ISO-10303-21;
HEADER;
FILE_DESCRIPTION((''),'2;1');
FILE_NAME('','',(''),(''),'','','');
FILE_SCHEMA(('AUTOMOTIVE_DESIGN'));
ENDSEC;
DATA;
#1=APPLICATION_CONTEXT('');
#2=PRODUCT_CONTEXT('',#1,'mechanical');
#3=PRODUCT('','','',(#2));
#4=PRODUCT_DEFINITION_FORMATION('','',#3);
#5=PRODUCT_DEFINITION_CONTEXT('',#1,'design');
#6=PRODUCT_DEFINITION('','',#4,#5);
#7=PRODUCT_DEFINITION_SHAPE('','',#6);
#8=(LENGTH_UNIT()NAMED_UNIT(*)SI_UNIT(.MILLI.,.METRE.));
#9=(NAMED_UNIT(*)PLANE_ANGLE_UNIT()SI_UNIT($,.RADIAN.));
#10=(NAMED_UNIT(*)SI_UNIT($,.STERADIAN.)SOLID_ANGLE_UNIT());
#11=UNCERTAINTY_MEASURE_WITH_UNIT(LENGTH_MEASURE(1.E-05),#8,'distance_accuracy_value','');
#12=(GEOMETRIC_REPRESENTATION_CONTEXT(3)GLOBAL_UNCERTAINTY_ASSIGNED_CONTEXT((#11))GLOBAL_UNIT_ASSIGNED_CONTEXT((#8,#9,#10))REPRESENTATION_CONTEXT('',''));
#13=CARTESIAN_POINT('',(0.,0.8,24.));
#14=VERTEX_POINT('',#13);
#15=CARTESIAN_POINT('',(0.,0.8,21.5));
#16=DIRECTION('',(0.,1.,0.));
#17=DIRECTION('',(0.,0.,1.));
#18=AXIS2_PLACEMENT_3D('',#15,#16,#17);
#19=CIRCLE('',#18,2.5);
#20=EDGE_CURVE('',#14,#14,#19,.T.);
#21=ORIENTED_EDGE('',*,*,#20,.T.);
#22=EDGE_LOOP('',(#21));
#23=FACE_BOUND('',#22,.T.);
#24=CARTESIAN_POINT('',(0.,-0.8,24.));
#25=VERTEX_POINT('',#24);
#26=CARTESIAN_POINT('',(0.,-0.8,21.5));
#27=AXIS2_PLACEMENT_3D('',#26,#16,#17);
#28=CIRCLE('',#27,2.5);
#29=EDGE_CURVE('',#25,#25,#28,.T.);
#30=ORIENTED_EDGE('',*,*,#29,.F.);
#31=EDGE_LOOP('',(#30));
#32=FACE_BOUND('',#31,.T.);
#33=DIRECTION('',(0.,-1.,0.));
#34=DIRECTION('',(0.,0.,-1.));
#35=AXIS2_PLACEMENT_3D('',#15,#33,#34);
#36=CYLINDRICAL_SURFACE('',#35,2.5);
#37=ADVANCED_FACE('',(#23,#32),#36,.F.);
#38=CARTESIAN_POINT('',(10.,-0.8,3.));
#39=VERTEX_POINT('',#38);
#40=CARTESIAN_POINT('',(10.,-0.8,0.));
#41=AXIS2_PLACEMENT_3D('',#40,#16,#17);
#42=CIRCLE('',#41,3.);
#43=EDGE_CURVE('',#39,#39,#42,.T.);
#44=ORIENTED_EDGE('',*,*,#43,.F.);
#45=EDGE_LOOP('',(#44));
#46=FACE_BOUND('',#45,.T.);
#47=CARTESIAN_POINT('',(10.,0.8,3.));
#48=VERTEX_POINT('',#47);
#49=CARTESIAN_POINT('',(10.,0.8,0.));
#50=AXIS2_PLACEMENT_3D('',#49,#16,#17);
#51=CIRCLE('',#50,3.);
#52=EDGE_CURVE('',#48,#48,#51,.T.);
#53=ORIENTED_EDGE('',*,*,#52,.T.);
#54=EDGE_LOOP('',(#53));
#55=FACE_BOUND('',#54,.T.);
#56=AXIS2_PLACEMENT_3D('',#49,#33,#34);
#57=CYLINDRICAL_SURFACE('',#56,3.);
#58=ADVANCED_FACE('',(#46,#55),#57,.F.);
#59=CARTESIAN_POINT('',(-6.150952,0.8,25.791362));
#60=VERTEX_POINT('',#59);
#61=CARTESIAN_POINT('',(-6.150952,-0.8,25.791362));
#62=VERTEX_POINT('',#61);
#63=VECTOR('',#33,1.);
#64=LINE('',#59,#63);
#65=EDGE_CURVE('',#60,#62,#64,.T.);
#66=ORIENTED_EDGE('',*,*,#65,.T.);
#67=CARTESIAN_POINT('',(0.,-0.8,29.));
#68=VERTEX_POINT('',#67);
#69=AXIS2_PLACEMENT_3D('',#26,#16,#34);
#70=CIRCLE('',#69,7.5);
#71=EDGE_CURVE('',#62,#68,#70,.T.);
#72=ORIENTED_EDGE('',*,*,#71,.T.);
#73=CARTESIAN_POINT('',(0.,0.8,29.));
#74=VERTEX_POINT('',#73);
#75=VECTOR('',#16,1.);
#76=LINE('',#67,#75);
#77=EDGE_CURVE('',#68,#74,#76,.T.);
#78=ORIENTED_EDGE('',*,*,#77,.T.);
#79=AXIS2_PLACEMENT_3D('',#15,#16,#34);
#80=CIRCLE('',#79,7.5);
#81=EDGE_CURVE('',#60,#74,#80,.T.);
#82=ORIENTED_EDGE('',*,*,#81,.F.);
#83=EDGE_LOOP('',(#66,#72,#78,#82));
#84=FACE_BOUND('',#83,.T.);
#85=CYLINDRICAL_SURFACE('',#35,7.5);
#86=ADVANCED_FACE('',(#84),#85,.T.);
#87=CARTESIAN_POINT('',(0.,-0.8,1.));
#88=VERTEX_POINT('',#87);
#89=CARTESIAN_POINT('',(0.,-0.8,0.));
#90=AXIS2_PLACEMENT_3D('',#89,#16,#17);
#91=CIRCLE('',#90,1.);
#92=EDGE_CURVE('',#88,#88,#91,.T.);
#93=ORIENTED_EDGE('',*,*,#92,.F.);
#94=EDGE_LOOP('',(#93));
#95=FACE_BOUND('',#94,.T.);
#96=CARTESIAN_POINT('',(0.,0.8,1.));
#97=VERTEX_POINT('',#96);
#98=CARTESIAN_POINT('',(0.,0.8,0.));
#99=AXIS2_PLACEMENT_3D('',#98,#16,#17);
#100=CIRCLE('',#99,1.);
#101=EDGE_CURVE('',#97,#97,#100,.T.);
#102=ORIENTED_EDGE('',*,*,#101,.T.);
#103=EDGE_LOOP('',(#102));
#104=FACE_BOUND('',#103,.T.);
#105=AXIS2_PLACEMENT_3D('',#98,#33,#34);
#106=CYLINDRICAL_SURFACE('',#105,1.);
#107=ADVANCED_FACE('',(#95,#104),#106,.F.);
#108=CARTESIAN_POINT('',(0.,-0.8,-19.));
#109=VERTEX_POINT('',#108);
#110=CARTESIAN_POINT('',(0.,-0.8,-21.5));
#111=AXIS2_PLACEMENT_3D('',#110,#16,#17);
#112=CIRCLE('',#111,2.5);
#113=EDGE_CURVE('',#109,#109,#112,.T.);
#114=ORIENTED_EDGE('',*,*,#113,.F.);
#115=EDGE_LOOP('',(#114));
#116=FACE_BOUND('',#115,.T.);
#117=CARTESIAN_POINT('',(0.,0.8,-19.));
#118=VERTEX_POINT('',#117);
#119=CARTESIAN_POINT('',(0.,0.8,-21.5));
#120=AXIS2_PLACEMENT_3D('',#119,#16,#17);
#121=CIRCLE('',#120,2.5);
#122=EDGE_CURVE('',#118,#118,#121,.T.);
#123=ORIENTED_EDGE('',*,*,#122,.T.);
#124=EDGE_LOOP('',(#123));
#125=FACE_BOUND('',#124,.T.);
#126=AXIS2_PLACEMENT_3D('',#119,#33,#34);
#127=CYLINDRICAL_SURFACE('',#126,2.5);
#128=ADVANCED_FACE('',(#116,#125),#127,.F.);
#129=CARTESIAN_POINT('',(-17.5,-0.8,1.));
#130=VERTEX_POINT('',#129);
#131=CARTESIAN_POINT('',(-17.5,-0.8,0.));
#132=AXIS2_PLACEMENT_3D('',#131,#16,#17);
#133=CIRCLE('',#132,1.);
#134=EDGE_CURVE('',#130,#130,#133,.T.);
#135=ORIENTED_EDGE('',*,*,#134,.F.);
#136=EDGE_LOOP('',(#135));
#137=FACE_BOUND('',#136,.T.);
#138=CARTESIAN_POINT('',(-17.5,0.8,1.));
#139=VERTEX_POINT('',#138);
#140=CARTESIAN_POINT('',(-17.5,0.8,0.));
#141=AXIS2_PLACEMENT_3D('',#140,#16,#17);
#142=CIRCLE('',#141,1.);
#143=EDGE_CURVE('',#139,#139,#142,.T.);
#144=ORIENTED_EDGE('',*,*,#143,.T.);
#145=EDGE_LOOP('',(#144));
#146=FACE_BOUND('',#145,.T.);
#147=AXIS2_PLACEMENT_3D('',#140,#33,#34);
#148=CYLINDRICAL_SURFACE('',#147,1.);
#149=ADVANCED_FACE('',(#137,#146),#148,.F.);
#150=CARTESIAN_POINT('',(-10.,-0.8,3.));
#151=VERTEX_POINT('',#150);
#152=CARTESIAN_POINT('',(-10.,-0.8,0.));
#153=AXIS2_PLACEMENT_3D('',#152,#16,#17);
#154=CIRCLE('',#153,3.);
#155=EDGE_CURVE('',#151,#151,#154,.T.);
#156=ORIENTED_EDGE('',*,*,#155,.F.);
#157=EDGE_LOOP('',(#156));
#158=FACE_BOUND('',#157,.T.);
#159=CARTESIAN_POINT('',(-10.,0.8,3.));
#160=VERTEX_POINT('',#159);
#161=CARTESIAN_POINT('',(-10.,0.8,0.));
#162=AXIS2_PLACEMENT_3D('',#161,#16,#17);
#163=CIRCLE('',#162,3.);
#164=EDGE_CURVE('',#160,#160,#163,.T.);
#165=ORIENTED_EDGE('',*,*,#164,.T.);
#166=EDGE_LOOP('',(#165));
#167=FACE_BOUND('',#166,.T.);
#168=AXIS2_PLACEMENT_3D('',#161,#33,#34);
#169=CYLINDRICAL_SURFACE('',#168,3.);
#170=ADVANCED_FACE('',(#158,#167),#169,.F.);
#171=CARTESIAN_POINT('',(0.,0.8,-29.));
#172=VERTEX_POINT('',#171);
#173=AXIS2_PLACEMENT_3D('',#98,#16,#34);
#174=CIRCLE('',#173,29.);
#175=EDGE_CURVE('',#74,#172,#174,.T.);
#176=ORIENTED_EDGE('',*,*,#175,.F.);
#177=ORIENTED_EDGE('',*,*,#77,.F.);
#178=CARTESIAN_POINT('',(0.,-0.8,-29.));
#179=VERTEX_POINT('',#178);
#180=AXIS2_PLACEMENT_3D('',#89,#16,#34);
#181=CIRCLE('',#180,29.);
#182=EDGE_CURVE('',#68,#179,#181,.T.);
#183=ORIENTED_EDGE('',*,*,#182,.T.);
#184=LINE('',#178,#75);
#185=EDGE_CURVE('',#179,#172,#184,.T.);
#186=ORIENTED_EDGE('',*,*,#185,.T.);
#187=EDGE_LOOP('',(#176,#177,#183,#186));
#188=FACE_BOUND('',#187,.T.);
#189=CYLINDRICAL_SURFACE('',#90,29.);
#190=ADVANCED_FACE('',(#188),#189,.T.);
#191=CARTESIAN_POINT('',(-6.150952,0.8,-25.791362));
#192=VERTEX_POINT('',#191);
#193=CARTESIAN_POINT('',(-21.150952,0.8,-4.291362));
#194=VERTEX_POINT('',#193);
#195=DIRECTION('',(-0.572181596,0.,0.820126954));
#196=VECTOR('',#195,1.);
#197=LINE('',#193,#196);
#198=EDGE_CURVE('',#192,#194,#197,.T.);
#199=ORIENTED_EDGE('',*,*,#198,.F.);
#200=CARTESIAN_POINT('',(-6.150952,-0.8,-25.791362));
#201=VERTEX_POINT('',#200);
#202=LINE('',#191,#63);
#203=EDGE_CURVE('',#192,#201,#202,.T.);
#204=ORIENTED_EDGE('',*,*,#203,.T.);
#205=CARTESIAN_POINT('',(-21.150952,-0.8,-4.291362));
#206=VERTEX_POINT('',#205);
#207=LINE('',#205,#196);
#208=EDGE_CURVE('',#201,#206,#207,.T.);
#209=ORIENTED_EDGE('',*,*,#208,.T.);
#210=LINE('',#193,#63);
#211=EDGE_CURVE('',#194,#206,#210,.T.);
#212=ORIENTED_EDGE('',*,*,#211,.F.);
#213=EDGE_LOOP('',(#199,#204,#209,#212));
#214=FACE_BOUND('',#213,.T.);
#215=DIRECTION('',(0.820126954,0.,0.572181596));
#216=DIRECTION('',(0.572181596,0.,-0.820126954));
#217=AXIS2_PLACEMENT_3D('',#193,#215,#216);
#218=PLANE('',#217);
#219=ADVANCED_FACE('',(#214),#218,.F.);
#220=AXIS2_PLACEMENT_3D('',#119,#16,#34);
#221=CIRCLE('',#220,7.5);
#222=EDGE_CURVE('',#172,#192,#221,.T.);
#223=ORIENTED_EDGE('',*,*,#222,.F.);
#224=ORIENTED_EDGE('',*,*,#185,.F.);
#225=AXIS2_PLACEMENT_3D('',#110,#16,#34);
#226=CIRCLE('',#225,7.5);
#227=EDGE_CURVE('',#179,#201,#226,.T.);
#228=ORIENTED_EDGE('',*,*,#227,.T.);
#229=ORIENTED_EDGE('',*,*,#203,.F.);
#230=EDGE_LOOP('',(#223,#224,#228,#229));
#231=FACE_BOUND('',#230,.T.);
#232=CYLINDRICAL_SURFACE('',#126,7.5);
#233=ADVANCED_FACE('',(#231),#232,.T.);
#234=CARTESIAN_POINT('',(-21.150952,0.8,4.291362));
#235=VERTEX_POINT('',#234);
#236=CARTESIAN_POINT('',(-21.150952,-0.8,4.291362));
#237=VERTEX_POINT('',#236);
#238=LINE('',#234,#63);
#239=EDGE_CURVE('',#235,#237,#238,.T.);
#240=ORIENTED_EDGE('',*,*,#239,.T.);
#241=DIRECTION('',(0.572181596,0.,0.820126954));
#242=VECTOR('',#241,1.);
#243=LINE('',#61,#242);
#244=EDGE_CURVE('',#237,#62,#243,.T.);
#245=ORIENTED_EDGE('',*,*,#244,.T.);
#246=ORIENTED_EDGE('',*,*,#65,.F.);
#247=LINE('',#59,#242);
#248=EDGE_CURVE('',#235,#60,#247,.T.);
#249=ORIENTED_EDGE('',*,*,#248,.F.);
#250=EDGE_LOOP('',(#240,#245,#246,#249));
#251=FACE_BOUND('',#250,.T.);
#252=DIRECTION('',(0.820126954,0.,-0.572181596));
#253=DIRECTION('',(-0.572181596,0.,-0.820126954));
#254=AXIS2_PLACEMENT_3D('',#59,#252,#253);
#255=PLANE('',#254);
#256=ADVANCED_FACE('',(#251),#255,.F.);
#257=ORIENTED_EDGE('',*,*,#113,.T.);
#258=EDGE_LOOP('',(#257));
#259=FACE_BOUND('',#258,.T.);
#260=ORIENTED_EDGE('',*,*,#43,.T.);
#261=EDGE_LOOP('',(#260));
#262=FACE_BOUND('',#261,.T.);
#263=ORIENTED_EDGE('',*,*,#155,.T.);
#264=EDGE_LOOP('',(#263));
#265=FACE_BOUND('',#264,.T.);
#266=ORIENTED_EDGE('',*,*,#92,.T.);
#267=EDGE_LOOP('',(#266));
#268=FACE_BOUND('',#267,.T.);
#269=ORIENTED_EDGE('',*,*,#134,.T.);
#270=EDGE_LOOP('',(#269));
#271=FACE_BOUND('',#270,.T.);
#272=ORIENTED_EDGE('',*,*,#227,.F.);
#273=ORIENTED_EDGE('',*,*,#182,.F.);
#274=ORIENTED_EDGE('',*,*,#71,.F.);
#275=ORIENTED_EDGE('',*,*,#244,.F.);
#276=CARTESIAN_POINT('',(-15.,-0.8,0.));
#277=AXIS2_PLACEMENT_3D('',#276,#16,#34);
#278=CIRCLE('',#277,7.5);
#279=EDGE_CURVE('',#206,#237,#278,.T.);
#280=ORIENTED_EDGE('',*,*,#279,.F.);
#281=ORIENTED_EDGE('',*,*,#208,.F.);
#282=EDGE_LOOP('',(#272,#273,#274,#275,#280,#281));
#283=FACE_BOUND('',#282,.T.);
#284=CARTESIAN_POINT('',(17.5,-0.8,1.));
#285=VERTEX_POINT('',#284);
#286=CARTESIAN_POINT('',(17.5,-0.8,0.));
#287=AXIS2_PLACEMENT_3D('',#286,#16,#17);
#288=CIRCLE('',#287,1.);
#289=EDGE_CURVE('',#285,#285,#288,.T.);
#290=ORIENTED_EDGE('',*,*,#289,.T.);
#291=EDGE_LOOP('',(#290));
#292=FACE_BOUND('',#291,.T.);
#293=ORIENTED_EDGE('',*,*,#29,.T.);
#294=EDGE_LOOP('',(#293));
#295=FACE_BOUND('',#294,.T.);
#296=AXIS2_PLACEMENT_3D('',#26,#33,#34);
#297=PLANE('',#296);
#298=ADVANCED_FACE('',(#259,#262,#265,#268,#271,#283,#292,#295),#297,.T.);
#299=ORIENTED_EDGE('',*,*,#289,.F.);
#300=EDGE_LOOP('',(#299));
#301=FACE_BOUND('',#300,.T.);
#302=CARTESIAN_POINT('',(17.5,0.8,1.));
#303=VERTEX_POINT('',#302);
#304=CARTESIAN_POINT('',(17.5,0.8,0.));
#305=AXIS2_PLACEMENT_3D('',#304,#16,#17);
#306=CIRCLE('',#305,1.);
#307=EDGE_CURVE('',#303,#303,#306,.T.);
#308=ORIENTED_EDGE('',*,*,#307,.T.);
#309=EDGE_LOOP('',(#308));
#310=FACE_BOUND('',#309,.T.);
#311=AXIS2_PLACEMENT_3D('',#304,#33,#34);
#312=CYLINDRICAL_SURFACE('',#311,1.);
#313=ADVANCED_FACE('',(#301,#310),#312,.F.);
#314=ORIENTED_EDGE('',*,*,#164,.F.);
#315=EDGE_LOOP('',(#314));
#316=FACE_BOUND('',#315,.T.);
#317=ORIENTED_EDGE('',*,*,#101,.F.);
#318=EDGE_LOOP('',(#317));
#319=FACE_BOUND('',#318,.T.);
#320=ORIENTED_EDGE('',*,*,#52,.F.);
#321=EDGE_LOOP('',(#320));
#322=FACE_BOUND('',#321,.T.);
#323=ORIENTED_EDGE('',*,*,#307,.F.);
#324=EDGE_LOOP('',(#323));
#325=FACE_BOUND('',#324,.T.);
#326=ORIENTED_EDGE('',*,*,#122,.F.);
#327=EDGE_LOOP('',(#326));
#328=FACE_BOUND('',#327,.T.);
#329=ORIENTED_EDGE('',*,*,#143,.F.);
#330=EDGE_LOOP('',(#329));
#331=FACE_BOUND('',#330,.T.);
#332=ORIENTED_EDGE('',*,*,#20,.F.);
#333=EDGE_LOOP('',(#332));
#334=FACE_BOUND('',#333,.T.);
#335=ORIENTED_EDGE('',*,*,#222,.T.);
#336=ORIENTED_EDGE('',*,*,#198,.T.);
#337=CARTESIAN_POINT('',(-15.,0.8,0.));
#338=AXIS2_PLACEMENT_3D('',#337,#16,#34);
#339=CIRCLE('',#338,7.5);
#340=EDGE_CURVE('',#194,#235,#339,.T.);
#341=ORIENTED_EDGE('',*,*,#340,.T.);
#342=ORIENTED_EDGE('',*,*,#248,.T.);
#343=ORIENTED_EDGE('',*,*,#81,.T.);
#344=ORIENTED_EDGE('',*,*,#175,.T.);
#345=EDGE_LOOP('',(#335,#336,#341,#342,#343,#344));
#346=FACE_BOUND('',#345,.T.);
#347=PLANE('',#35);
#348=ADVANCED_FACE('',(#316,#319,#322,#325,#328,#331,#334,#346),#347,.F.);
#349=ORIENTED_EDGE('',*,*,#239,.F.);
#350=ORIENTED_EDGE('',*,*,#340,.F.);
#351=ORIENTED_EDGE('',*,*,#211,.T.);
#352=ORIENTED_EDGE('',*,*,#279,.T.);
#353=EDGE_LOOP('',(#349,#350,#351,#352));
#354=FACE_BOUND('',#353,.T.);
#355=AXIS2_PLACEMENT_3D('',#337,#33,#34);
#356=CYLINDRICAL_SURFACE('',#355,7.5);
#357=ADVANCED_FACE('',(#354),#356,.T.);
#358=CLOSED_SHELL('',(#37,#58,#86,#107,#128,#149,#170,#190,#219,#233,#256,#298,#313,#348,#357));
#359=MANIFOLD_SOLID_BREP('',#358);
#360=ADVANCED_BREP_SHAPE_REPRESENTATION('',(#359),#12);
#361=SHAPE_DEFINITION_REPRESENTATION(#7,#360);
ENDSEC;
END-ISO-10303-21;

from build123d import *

# Parameters (mm, degrees)
SKETCH1_R           = 2.5
SKETCH1_R_2         = 3
SKETCH1_R_3         = 1
BOSS_EXTRUDE1_DEPTH = 0.8
BOSS_EXTRUDE2_DEPTH = 1.6


with BuildPart() as part:
    # Sketch1 → Boss-Extrude1 (new, symmetric)
    with BuildSketch(Plane(origin=(0, 0, 0), x_dir=(1, 0, 0), z_dir=(0, 1, 0))):
        with BuildLine():
            Line((-21.150952157, 4.29136197), (-6.150952157, 25.79136197))
            ThreePointArc((-6.150952157, 25.79136197), (0, 29), (6.150952157, 25.79136197))
            Line((6.150952157, 25.79136197), (21.150952157, 4.29136197))
            ThreePointArc((21.150952157, 4.29136197), (22.5, 0), (21.150952157, -4.29136197))
            Line((21.150952157, -4.29136197), (6.150952157, -25.79136197))
            ThreePointArc((6.150952157, -25.79136197), (0, -29), (-6.150952157, -25.79136197))
            Line((-6.150952157, -25.79136197), (-21.150952157, -4.29136197))
            ThreePointArc((-21.150952157, -4.29136197), (-22.5, 0), (-21.150952157, 4.29136197))
        make_face()
        with Locations(Location((0, 21.5, 0), (0, 0, 270))):
            Circle(SKETCH1_R, mode=Mode.SUBTRACT)
        with Locations(Location((0, -21.5, 0), (0, 0, 270))):
            Circle(SKETCH1_R, mode=Mode.SUBTRACT)
        with Locations(Location((-10, 0, 0), (0, 0, 270))):
            Circle(SKETCH1_R_2, mode=Mode.SUBTRACT)
        with Locations(Location((10, 0, 0), (0, 0, 270))):
            Circle(SKETCH1_R_2, mode=Mode.SUBTRACT)
        with Locations(Location((-17.5, 0, 0), (0, 0, 270))):
            Circle(SKETCH1_R_3, mode=Mode.SUBTRACT)
        with Locations(Location((0, 0, 0), (0, 0, 270))):
            Circle(SKETCH1_R_3, mode=Mode.SUBTRACT)
        with Locations(Location((17.5, 0, 0), (0, 0, 270))):
            Circle(SKETCH1_R_3, mode=Mode.SUBTRACT)
    extrude(amount=BOSS_EXTRUDE1_DEPTH, both=True)

    # Sketch2 → Boss-Extrude2 (add, through all)
    with BuildSketch(Plane(origin=(0, 0.8, 0), x_dir=(1, 0, 0), z_dir=(0, 1, 0))):
        with BuildLine():
            Line((0, -29), (22.5, 0))
            Line((22.5, 0), (0, 29))
            ThreePointArc((0, 29), (29, 0), (0, -29))
        make_face()
    extrude(amount=-BOSS_EXTRUDE2_DEPTH)


solid = part.part
